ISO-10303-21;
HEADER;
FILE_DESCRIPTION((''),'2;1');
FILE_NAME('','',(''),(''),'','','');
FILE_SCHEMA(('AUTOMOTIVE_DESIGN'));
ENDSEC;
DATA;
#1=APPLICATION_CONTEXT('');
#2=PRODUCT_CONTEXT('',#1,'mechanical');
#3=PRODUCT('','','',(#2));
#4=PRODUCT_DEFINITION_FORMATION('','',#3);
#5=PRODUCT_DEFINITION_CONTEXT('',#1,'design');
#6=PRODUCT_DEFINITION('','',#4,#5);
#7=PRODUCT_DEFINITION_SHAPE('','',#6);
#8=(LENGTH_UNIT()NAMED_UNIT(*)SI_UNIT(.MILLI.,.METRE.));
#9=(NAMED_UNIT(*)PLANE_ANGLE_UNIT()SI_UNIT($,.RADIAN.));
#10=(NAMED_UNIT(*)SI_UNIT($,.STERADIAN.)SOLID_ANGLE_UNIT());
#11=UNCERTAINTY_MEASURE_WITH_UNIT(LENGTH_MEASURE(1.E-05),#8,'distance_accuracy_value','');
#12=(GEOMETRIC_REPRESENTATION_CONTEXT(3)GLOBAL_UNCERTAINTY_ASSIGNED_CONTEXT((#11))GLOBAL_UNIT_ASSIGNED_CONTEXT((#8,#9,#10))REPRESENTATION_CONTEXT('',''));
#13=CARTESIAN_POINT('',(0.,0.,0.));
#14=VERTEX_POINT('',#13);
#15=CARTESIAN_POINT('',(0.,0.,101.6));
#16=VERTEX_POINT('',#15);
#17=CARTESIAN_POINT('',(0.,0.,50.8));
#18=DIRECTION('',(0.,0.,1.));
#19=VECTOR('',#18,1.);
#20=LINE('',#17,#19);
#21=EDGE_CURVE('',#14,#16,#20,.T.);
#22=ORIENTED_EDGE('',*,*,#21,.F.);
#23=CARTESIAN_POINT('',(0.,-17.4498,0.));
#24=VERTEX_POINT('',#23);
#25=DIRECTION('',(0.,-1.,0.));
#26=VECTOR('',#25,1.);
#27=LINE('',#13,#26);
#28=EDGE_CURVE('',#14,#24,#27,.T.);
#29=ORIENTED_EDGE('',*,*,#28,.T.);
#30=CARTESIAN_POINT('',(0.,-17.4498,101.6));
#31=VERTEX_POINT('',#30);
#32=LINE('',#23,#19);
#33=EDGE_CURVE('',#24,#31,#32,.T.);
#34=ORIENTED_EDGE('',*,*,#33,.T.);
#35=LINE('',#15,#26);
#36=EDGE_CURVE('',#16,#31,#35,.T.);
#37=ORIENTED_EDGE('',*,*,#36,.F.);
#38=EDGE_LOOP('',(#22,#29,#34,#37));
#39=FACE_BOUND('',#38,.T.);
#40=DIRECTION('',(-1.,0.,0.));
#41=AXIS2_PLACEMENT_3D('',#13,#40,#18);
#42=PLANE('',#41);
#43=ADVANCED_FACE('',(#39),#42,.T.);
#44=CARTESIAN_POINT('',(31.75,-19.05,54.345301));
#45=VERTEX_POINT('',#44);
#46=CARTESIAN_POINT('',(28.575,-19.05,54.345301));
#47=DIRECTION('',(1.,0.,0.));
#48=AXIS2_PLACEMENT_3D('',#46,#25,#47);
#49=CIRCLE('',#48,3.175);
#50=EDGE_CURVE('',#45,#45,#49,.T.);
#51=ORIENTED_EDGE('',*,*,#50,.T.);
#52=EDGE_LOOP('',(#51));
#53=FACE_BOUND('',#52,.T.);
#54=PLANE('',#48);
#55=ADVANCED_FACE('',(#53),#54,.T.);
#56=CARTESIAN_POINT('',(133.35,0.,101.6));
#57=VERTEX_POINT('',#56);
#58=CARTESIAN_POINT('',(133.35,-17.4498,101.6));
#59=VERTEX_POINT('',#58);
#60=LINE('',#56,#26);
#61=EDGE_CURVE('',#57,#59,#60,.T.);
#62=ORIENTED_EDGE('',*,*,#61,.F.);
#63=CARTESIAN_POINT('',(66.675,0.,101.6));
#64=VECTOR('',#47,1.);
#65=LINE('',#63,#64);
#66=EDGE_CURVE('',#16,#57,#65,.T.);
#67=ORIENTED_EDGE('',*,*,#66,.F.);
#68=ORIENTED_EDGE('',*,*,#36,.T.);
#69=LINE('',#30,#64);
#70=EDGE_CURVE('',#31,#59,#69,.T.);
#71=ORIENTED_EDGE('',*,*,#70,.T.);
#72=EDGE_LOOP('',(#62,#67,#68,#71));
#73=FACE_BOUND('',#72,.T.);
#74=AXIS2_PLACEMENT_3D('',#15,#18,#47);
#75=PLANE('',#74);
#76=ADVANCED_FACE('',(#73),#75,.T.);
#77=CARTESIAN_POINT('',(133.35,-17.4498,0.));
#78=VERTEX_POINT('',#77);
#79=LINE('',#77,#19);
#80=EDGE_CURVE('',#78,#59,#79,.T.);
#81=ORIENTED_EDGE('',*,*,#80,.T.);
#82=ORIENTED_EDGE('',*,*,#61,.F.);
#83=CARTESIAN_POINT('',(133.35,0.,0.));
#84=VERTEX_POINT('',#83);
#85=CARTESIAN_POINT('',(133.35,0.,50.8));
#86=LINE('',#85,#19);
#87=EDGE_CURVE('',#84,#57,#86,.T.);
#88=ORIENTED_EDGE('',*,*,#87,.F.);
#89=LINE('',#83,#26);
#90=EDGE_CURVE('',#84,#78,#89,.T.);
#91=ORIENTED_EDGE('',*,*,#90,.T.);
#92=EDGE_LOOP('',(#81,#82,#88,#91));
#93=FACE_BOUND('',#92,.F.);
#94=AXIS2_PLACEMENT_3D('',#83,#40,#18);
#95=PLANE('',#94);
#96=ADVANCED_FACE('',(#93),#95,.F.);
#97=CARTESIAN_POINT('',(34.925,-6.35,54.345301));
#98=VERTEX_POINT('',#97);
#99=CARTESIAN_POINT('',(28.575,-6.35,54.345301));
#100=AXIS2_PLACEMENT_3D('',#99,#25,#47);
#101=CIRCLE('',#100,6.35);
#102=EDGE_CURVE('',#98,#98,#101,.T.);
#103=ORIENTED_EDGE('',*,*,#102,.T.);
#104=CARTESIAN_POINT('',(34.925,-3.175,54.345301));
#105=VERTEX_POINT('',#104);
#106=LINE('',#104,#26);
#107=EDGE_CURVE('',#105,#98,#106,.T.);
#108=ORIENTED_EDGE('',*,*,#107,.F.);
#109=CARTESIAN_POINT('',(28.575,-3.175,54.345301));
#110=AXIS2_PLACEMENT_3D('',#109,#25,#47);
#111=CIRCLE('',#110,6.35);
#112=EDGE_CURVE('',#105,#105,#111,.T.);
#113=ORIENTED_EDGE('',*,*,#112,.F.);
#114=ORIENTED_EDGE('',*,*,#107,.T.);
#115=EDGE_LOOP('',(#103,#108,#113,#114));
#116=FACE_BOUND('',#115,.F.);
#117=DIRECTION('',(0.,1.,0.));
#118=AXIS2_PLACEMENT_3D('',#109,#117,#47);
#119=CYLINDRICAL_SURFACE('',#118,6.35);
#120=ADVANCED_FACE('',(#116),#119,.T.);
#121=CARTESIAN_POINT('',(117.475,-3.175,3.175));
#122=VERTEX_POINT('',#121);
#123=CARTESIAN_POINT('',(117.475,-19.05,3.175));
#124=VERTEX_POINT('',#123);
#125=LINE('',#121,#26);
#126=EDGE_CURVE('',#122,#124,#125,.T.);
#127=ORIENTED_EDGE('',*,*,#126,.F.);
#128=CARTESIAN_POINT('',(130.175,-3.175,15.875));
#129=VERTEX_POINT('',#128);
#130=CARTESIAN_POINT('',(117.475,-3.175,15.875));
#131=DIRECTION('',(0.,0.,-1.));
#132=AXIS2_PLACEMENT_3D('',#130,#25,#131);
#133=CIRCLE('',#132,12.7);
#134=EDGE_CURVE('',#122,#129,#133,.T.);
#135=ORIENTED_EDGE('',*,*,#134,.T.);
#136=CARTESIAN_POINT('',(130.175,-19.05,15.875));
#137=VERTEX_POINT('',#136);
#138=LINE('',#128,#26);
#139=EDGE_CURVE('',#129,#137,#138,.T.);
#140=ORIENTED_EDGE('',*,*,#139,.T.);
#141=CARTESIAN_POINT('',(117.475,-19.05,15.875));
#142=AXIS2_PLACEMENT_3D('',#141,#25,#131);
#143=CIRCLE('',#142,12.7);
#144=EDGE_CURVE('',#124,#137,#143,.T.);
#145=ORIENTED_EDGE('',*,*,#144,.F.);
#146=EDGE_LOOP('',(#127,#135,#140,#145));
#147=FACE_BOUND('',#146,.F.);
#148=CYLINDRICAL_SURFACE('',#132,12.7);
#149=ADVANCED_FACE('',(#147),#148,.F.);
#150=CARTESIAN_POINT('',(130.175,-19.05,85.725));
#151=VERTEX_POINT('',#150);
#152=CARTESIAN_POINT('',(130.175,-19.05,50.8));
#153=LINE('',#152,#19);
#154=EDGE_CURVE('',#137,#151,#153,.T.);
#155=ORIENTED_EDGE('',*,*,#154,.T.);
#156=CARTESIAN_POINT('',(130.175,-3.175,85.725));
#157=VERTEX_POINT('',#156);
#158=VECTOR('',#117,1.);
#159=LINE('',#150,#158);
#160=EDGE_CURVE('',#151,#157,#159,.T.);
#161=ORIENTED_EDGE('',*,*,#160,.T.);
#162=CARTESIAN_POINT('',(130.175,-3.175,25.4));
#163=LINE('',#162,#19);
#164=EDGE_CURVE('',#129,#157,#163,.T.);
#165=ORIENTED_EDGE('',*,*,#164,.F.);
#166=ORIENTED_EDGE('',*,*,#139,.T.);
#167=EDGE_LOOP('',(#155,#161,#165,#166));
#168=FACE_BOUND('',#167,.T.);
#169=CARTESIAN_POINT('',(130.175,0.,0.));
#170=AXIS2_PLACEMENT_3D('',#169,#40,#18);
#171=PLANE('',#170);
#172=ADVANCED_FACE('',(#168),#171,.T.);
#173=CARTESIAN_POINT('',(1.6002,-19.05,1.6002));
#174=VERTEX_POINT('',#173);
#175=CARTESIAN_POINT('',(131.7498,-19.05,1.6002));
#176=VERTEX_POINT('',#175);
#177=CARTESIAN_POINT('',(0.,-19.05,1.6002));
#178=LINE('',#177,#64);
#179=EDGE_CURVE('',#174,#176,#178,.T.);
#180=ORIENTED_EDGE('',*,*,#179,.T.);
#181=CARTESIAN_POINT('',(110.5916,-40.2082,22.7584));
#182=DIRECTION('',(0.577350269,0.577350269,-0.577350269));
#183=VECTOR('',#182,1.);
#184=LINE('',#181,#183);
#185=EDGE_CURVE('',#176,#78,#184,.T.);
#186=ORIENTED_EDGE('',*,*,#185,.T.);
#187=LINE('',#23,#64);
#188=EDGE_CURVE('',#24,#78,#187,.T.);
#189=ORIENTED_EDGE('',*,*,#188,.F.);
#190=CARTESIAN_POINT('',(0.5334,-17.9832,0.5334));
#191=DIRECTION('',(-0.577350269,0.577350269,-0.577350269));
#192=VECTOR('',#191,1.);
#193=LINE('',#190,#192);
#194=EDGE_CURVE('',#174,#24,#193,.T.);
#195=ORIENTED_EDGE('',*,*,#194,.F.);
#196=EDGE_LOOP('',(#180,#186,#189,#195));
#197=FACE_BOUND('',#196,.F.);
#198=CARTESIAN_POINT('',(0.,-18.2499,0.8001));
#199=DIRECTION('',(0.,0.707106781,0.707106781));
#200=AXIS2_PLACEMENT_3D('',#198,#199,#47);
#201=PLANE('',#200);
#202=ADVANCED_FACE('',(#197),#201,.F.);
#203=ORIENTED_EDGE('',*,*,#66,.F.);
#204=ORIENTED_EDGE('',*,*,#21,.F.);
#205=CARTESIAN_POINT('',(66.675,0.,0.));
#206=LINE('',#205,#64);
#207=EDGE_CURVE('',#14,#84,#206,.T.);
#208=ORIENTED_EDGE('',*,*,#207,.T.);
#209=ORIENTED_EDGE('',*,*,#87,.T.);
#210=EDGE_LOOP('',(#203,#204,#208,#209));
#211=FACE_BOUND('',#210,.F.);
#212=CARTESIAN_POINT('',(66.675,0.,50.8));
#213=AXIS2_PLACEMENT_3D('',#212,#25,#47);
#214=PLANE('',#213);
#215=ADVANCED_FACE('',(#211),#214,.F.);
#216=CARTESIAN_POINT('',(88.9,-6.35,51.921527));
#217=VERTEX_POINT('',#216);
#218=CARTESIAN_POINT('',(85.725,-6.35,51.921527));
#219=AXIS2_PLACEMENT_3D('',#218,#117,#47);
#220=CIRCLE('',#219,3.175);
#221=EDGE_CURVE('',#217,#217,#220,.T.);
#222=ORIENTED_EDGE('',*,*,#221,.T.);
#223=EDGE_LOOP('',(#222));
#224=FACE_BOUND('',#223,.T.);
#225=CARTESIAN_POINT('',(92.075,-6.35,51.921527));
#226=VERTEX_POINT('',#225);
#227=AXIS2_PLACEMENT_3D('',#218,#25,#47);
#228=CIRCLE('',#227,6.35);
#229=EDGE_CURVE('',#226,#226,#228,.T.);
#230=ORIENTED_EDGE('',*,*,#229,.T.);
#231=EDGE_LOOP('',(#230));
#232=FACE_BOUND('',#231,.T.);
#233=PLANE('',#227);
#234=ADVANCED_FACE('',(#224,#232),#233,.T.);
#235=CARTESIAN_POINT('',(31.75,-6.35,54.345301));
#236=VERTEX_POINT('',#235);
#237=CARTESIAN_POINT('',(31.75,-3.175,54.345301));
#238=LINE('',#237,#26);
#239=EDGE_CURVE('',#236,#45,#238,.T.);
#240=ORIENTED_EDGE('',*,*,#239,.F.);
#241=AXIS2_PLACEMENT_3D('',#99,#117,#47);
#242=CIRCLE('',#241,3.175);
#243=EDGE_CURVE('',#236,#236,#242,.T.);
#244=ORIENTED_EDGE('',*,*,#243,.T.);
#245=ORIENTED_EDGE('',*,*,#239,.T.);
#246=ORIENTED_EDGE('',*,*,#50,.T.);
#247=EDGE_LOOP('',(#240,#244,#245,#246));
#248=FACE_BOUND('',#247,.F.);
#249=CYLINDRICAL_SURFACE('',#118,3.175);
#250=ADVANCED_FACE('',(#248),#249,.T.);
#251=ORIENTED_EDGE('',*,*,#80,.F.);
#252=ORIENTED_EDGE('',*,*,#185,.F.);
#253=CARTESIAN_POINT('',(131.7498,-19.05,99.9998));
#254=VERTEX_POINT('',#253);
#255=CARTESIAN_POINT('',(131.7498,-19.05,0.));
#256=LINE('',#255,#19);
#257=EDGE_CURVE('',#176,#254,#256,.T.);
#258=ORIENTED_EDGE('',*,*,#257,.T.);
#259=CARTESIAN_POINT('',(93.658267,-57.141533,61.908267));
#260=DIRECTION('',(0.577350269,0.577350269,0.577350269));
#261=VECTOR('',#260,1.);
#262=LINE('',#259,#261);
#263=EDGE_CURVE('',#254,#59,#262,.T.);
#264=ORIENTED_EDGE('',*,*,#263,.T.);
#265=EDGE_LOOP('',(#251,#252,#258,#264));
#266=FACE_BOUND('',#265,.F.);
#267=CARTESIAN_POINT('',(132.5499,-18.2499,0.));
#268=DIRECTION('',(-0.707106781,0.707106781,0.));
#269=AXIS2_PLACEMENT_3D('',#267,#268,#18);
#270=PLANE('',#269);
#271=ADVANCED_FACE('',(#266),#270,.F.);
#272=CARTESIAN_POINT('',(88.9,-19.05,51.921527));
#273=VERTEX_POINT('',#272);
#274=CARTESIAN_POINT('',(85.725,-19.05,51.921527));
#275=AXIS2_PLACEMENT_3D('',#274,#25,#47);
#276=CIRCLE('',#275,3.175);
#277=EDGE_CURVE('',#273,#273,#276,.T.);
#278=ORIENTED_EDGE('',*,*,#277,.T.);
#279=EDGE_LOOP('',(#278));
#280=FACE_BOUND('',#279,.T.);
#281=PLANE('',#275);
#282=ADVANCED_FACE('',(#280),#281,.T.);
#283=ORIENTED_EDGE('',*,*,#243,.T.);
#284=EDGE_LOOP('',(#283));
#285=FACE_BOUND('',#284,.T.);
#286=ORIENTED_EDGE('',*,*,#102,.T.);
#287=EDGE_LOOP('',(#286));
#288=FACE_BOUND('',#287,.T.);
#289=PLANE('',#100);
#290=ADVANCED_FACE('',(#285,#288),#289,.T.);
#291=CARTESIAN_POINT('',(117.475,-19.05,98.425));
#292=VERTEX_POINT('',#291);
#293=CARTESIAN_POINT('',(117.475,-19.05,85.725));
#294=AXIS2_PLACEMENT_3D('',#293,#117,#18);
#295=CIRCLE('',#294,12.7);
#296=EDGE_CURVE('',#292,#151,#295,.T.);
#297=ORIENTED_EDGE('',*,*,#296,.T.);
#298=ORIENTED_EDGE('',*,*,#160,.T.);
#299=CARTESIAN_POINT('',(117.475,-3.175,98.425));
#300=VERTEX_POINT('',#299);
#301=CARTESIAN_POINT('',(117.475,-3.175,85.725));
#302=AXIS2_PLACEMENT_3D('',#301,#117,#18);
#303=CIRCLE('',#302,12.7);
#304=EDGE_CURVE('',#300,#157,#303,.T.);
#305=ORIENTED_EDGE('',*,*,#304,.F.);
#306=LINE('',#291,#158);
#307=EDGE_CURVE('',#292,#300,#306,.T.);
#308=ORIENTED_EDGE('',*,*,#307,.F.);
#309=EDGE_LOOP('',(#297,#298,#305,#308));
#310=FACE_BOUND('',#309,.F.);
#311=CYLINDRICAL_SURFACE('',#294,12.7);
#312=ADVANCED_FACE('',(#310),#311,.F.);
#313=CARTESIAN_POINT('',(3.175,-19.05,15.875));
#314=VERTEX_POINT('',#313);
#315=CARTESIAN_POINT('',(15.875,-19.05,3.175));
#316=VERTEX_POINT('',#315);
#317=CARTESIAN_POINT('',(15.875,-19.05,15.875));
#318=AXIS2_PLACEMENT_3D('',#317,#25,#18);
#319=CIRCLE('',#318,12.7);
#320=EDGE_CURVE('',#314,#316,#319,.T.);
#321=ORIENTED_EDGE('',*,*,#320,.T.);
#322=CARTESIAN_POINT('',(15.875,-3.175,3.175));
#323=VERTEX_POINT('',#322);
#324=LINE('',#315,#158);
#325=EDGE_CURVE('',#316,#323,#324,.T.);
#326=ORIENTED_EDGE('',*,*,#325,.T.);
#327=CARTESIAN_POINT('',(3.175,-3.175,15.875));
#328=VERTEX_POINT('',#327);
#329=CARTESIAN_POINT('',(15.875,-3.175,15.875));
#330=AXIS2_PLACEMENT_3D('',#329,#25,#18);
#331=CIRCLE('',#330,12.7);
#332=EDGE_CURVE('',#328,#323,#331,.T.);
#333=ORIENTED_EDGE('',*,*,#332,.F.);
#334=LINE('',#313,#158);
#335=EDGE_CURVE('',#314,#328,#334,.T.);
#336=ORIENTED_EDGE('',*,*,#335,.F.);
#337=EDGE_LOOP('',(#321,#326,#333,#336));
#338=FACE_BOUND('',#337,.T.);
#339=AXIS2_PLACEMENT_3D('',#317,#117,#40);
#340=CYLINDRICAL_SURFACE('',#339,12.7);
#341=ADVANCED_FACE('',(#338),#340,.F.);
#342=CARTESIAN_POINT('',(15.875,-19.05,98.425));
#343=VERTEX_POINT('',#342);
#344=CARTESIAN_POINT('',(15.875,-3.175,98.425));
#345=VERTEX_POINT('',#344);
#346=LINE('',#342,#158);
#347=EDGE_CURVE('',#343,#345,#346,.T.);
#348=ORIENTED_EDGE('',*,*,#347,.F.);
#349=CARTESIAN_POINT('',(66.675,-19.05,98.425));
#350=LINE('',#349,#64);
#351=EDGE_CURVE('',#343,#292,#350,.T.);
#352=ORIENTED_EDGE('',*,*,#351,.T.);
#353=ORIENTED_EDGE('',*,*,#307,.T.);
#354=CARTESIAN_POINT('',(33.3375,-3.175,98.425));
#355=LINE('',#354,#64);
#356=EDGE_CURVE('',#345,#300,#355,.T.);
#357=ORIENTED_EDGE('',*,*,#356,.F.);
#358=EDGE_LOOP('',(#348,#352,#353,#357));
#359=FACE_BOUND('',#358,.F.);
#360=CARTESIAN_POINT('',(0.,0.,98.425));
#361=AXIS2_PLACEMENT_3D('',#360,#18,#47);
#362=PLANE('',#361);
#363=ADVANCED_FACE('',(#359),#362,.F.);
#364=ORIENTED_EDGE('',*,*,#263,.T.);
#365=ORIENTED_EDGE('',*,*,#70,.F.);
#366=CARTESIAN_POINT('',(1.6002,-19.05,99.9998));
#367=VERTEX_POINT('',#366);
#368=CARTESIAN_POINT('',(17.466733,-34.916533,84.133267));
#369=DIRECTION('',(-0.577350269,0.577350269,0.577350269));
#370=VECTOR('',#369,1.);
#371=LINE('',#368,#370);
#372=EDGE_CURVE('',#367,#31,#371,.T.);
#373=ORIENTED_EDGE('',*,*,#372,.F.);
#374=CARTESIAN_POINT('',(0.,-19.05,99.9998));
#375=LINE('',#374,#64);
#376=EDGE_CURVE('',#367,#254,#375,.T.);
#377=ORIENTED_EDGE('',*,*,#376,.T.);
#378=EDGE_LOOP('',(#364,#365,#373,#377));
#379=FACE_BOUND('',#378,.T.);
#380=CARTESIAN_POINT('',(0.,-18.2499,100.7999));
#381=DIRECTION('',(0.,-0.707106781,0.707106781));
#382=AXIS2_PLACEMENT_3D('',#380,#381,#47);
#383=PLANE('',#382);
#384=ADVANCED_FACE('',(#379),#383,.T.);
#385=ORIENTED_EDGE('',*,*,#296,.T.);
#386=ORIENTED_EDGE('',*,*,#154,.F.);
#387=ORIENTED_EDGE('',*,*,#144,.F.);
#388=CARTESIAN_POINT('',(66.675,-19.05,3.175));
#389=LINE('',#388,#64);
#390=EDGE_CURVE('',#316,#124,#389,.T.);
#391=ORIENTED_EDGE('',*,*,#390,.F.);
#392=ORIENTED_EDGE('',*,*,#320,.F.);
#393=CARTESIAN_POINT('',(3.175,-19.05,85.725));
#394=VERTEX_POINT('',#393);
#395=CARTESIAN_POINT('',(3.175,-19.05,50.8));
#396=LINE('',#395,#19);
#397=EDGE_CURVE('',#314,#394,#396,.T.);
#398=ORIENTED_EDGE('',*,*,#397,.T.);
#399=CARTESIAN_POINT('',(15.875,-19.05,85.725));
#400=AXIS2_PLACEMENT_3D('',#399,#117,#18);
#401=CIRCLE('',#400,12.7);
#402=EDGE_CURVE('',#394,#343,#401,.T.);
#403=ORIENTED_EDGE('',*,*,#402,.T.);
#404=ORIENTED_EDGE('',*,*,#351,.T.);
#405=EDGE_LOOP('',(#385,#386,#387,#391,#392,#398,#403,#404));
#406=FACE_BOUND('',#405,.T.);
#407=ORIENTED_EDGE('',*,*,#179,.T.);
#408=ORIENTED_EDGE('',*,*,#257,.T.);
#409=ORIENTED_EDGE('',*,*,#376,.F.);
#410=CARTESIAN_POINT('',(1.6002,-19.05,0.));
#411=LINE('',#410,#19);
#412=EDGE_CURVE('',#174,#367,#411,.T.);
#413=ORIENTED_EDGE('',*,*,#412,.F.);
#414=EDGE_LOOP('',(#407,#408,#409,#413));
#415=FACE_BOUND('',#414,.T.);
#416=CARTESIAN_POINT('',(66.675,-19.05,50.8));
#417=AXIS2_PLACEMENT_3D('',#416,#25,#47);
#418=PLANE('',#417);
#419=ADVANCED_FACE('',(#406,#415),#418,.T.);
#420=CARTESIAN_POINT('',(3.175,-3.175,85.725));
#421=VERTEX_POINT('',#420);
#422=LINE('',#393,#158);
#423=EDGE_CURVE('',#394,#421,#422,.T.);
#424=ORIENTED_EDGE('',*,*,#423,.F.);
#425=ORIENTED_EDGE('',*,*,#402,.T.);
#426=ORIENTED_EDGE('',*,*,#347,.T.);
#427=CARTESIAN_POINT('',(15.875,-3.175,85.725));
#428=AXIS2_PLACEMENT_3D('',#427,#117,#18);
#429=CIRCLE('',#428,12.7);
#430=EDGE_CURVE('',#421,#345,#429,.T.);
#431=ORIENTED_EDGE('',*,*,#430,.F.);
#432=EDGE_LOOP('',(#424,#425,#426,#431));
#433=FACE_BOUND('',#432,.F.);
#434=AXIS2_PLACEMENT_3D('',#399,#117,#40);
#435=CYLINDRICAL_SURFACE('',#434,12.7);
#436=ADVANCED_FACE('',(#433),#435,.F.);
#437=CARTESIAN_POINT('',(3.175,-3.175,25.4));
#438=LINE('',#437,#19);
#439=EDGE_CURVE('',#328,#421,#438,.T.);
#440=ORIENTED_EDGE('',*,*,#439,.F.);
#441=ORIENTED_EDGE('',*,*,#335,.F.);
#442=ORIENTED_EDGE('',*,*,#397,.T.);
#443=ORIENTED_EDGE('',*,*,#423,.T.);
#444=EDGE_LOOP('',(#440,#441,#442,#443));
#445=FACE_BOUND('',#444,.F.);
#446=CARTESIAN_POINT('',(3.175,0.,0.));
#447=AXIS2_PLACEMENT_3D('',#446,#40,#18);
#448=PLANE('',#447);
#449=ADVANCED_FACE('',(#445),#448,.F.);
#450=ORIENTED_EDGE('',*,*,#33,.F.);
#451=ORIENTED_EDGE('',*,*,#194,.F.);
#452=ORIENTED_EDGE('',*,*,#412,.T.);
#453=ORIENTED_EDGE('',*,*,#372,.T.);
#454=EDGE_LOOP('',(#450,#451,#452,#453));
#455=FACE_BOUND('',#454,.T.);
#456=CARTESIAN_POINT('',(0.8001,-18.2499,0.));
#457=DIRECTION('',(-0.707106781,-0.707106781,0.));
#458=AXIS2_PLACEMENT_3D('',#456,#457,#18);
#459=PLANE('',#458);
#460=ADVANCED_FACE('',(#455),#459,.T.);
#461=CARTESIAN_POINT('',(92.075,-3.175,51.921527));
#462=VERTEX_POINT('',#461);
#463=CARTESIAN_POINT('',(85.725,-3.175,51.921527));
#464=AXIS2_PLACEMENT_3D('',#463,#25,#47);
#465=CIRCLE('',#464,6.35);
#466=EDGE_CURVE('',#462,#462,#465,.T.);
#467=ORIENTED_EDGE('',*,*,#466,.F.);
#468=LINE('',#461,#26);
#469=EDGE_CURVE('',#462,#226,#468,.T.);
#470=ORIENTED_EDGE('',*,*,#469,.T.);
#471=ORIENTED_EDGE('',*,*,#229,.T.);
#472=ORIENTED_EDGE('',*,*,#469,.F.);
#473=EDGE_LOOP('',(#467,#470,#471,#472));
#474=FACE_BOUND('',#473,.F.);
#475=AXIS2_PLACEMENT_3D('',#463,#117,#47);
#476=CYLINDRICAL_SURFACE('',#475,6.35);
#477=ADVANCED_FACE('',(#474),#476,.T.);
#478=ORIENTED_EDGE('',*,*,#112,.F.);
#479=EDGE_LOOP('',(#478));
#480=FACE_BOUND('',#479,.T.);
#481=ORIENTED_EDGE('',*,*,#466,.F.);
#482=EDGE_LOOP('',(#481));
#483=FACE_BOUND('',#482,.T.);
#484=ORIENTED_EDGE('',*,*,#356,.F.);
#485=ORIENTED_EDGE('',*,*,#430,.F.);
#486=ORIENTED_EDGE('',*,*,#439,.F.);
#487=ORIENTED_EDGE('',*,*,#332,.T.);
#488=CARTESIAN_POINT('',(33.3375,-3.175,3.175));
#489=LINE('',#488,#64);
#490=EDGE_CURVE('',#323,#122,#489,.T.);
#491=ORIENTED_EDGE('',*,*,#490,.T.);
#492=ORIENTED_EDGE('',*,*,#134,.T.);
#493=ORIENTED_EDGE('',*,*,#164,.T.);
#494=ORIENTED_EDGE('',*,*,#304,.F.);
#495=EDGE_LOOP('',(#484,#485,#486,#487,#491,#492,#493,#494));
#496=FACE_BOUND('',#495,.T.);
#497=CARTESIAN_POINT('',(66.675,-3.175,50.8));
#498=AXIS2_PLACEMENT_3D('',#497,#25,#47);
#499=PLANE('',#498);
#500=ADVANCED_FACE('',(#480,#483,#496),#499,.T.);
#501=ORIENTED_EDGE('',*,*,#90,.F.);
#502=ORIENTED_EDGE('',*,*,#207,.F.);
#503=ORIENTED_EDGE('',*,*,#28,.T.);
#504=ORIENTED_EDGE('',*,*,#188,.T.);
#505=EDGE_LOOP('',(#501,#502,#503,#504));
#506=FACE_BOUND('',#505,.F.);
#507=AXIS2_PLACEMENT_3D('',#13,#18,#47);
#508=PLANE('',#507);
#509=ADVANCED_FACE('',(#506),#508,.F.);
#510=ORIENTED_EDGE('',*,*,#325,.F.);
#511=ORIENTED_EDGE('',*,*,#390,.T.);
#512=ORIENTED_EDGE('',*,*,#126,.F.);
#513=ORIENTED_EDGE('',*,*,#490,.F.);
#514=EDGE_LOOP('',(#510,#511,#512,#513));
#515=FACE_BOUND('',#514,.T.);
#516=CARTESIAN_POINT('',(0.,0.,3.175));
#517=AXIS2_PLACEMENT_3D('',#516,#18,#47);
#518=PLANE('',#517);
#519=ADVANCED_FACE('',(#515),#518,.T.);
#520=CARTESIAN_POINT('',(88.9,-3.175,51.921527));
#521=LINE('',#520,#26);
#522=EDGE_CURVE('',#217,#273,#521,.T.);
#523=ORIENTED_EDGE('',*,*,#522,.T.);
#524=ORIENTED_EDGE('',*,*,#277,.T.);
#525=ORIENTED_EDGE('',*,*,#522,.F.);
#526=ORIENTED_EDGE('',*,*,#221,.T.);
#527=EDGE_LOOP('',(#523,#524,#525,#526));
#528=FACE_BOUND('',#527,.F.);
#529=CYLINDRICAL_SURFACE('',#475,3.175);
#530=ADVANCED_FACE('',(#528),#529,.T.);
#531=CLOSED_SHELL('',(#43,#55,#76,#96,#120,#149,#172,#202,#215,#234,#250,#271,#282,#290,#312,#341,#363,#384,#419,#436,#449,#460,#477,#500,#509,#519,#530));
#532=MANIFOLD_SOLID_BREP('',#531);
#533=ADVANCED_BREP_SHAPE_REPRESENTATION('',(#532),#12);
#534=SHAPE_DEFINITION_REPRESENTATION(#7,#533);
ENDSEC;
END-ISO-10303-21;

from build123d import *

# Parameters (mm, degrees)
F0_W     = 133.35
F0_H     = 101.6
F1_DEPTH = 19.05
F2_T     = -3.175
F3_R     = 6.35
F4_DEPTH = 3.175
F5_R     = 3.175
F6_DEPTH = 15.875
F7_R     = 12.7
F8_SIZE  = 1.6002


with BuildPart() as f1:
    # F0 (on Front) → F1 (new body)
    with BuildSketch(Plane.XZ):
        with Locations((66.675, 50.8)):
            Rectangle(F0_W, F0_H)
    extrude(amount=F1_DEPTH)

    # F2
    f2_openings = [f1.faces().sort_by_distance(p)[0] for p in [
        (66.675, -19.05, 50.8),
    ]]
    offset(amount=F2_T, openings=f2_openings)

    # F3 (on face) → F4 (join)
    with BuildSketch(Plane.XZ.offset(3.175)):
        with Locations((28.575, 54.3453005208)):
            Circle(F3_R)
        with Locations((85.725, 51.9215266299)):
            Circle(F3_R)
    extrude(amount=F4_DEPTH)

    # F5 (on face) → F6 (join)
    with BuildSketch(Plane.XZ.offset(3.175)):
        with Locations((28.575, 54.3453005208)):
            Circle(F5_R)
        with Locations((85.725, 51.9215266299)):
            Circle(F5_R)
    extrude(amount=F6_DEPTH)

    # F7
    f7_edges = [f1.edges().sort_by_distance(p)[0] for p in [
        (3.175, -11.1125, 3.175),
        (3.175, -11.1125, 98.425),
        (130.175, -11.1125, 3.175),
        (130.175, -11.1125, 98.425),
    ]]
    fillet(f7_edges, radius=F7_R)

    # F8
    f8_edges = [f1.edges().sort_by_distance(p)[0] for p in [
        (133.35, -19.05, 50.8),
        (66.675, -19.05, 0),
        (0, -19.05, 50.8),
        (66.675, -19.05, 101.6),
    ]]
    chamfer(f8_edges, length=F8_SIZE)


solid = f1.part
